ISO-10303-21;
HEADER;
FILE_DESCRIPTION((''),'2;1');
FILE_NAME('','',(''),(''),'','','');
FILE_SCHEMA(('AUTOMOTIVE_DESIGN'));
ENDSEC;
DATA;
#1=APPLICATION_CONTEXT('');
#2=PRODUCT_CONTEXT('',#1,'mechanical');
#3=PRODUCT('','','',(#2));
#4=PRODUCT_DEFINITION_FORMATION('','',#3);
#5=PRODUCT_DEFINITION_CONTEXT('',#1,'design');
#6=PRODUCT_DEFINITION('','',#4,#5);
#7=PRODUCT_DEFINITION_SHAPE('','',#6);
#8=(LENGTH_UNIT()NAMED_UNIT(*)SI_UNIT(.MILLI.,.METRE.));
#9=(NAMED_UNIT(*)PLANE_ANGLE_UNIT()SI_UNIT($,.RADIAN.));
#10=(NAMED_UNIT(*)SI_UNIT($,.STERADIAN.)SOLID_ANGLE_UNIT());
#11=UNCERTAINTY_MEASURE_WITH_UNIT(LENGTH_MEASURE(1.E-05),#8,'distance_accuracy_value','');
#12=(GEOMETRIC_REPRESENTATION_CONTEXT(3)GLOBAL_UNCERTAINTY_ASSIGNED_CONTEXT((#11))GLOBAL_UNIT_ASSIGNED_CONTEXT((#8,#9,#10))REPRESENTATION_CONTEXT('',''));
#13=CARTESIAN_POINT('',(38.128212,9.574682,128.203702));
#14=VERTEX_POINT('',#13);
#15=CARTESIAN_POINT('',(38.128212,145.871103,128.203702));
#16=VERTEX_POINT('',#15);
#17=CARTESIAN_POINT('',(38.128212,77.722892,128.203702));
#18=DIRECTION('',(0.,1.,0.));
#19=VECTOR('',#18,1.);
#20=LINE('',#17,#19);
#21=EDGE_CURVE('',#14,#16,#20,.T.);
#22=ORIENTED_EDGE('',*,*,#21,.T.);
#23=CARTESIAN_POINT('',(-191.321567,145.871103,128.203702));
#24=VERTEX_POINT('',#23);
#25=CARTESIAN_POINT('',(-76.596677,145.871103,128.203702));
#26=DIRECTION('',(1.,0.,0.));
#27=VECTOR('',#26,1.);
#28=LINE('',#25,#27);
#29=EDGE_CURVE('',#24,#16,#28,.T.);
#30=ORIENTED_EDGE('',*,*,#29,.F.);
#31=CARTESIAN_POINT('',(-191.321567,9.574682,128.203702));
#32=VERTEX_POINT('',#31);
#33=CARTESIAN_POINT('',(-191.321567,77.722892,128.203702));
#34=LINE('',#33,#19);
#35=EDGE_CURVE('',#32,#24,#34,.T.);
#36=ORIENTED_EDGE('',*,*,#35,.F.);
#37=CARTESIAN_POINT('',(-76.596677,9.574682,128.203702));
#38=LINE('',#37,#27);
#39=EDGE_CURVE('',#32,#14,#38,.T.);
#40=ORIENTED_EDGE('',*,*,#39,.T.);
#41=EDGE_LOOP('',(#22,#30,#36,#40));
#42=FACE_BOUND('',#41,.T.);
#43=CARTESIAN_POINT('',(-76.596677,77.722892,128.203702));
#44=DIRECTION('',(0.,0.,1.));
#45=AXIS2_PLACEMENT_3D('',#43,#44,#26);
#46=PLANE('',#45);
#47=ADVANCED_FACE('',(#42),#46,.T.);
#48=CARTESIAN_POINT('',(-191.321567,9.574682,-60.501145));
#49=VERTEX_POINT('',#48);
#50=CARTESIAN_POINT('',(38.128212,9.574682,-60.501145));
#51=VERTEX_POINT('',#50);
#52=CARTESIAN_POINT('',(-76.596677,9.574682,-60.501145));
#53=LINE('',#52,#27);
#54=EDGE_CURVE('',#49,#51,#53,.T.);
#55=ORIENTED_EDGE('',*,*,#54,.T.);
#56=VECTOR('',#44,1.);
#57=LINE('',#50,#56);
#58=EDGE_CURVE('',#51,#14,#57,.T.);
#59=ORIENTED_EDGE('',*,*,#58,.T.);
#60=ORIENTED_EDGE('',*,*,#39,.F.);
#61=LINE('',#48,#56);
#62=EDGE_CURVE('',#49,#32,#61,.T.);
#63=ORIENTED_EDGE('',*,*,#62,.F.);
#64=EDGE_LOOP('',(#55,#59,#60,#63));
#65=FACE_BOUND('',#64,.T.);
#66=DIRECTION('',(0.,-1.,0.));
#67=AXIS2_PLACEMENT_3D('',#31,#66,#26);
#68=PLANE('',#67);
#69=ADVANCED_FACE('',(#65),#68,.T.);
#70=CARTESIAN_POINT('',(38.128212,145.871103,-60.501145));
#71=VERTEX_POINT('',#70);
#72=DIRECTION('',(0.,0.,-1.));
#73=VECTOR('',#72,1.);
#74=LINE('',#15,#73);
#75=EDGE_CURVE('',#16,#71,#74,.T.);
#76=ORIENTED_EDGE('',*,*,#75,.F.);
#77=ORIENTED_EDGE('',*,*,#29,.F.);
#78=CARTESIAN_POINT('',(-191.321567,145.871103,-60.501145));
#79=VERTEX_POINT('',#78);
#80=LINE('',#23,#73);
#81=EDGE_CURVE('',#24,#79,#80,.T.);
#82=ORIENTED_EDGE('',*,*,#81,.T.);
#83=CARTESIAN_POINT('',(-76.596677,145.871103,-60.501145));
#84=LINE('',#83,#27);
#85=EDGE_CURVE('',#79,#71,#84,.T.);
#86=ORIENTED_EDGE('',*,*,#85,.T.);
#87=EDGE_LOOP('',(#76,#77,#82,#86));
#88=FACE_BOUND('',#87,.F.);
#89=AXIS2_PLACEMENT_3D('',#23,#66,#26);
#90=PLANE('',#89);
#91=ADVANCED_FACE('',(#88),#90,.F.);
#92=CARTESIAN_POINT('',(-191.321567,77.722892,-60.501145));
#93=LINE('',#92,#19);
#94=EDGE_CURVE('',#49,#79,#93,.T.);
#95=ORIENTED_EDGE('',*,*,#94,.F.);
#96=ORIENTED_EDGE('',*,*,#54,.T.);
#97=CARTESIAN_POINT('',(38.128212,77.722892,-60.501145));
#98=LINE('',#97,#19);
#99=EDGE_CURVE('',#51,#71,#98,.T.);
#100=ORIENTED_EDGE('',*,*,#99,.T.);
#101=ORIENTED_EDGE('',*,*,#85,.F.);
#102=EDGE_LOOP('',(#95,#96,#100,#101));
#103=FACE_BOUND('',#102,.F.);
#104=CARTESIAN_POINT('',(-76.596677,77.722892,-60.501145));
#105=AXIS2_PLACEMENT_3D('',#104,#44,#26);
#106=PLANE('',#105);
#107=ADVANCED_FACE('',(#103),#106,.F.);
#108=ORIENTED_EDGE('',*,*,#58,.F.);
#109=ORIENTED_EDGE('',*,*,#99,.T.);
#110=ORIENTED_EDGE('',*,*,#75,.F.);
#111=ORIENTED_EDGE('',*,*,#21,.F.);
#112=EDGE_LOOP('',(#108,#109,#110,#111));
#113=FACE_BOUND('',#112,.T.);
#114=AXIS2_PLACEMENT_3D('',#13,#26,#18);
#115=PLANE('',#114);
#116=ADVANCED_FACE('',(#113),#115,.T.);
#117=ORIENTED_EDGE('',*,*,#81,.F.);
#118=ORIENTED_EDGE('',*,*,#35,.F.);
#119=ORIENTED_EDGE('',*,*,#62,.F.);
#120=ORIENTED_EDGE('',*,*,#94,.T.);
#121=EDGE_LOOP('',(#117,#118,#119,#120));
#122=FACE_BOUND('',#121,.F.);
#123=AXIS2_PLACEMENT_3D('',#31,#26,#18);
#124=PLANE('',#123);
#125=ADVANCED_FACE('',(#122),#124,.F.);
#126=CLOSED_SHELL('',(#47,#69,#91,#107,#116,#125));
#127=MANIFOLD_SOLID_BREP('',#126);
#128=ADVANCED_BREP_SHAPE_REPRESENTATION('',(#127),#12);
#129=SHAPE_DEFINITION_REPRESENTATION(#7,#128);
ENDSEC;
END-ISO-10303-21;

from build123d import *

# Parameters (mm, degrees)
F0_W     = 229.4497787952
F0_H     = 136.2964212894
F1_DEPTH = 25.4
F2_DEPTH = 102.8037015349
F3_DEPTH = 109.354019165
F4_DEPTH = 188.7048464268


with BuildPart() as f1:
    # F0 (on Top) → F1 (new body)
    with BuildSketch(Plane.XY):
        with Locations((-76.5966773033, 77.7228921652)):
            Rectangle(F0_W, F0_H)
    extrude(amount=F1_DEPTH)

    # F2 (add): a face of the model
    f2_faces = [f1.faces().sort_by_distance(p)[0] for p in [
        (-76.5966773033, 77.7228921652, 25.4),
    ]]
    extrude(f2_faces, amount=F2_DEPTH)

    # F3 (add): a face of the model
    f3_faces = [f1.faces().sort_by_distance(p)[0] for p in [
        (-76.5966773033, 77.7228921652, 128.2037015349),
    ]]
    extrude(f3_faces, amount=-F3_DEPTH)

    # F4 (add): a face of the model
    f4_faces = [f1.faces().sort_by_distance(p)[0] for p in [
        (-76.5966773033, 77.7228921652, 128.2037015349),
    ]]
    extrude(f4_faces, amount=-F4_DEPTH)


solid = f1.part
